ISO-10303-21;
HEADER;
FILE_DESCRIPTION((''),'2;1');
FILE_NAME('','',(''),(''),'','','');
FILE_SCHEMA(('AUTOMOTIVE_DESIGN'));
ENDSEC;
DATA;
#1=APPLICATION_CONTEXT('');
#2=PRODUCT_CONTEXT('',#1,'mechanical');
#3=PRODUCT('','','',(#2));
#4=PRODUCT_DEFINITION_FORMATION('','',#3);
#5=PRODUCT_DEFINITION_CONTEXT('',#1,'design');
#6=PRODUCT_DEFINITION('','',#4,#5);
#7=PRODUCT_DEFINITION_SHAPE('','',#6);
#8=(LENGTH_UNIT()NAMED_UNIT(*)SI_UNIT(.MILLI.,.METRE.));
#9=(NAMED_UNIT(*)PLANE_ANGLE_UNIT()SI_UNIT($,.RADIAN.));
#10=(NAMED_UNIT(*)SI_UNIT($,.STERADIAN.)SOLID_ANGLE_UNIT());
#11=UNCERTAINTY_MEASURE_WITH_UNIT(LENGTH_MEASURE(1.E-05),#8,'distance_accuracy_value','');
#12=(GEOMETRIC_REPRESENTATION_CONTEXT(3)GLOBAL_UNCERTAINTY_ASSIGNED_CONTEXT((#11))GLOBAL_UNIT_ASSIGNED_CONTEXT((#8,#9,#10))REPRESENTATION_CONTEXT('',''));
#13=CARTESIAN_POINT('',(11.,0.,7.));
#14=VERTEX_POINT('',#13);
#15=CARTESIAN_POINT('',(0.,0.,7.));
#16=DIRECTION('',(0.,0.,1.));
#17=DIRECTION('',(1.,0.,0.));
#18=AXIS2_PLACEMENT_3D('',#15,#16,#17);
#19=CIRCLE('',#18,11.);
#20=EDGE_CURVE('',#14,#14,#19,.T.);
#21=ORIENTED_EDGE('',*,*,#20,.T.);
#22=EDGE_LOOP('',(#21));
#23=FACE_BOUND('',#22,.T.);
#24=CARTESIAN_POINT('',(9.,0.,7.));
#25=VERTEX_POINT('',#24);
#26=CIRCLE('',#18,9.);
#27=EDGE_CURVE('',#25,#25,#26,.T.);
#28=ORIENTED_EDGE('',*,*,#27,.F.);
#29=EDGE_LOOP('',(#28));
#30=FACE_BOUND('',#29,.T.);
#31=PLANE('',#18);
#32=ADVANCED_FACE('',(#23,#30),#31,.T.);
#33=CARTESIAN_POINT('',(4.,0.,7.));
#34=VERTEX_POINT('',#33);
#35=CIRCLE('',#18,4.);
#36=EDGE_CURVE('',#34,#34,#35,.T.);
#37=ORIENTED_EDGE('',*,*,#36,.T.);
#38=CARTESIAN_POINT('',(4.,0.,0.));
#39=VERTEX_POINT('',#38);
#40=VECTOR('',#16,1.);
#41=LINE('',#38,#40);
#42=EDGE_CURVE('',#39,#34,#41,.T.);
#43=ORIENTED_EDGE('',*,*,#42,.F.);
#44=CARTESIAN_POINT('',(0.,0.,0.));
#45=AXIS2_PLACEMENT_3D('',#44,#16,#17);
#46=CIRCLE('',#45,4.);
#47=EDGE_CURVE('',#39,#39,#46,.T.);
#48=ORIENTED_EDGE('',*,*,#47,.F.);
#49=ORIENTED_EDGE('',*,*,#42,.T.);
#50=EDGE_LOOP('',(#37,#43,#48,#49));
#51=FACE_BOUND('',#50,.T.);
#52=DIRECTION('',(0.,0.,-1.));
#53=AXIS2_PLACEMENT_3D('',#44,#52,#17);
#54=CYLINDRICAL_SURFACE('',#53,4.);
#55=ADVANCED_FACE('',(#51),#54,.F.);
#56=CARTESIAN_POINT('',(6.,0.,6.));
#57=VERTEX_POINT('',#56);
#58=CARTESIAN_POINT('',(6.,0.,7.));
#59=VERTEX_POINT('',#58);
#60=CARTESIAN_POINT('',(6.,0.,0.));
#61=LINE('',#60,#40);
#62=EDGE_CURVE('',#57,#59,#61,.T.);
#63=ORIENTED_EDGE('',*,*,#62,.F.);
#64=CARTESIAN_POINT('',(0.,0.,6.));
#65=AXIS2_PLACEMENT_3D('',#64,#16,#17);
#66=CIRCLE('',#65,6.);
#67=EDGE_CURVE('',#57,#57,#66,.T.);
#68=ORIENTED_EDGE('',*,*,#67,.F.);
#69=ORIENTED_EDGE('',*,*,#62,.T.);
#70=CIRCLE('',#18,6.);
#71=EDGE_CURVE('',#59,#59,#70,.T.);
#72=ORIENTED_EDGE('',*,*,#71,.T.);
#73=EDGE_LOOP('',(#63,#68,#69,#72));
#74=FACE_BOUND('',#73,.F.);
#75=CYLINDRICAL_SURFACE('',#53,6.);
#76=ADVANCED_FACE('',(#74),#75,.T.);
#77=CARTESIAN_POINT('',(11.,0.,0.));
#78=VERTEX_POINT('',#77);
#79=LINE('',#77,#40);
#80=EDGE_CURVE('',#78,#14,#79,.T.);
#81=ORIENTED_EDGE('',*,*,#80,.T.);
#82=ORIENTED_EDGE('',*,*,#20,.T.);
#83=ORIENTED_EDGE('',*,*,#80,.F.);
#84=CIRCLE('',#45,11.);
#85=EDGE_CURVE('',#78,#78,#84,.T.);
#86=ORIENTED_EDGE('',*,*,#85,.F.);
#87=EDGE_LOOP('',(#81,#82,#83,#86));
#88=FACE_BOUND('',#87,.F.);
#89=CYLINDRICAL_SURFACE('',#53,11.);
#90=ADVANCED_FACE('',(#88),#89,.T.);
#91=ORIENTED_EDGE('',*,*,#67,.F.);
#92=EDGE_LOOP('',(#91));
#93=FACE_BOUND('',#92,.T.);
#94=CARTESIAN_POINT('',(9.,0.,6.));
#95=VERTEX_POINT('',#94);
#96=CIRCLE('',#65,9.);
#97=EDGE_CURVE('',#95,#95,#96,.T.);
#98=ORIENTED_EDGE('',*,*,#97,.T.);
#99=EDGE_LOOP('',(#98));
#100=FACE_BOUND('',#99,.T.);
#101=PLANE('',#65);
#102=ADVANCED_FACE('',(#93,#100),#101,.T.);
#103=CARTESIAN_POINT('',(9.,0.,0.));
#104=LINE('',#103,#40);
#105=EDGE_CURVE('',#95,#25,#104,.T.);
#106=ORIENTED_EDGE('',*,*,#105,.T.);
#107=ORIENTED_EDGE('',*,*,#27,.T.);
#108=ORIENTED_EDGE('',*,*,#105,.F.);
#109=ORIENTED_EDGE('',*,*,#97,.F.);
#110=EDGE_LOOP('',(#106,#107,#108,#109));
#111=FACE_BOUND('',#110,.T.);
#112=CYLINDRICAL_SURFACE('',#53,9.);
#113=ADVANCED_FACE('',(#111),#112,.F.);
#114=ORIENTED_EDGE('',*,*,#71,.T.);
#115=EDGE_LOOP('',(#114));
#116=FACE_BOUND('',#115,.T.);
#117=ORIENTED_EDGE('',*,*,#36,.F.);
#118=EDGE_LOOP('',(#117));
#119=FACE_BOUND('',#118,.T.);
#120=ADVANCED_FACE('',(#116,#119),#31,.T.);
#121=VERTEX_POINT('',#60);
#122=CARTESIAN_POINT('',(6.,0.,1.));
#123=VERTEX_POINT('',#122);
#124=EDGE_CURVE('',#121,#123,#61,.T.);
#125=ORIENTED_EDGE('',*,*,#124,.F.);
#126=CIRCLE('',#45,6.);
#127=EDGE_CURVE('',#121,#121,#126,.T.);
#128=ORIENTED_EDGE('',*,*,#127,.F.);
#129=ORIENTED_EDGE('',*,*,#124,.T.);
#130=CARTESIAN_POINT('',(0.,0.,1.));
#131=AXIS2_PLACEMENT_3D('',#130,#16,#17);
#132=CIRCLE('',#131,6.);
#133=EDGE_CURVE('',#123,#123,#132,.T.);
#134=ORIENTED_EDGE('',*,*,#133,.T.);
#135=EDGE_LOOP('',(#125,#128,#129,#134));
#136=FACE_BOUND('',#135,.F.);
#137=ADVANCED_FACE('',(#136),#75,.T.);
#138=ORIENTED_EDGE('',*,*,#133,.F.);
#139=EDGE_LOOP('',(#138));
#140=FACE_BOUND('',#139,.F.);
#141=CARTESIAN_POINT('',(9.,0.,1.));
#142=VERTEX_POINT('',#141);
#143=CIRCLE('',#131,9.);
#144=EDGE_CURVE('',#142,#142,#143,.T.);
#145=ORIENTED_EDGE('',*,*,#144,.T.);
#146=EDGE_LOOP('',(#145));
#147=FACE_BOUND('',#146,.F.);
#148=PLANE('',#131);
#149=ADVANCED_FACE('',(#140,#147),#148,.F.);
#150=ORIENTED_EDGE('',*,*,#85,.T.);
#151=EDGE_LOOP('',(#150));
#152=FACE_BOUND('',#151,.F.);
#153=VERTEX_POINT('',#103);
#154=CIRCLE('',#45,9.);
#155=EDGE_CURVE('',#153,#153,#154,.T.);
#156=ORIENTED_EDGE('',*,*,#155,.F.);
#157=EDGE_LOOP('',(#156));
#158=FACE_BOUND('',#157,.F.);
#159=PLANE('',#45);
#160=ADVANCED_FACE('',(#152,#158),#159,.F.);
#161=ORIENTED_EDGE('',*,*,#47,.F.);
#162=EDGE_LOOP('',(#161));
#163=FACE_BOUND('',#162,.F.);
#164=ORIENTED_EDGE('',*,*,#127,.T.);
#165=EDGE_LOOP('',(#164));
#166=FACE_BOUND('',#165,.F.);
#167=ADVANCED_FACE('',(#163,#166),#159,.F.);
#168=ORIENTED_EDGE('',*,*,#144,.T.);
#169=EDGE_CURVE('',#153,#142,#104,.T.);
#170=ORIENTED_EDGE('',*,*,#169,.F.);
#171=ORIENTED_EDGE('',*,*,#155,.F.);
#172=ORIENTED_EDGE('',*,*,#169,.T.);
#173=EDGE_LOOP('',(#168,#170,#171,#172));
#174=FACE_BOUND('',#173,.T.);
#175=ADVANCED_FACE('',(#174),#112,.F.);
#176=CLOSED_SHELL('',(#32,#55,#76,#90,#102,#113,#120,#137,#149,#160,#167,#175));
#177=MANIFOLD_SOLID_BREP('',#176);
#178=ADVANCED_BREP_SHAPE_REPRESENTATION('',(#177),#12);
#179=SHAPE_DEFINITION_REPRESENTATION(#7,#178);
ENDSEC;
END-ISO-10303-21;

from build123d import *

# Parameters (mm, degrees)
F0_R     = 11
F0_R_2   = 9
F1_DEPTH = 7
F0_R_3   = 6
F0_R_4   = 4
F2_START = 1
F2_DEPTH = 5


with BuildPart() as f1:
    # F0 (on Top) → F1 (new body)
    with BuildSketch(Plane.XY):
        Circle(F0_R)
        Circle(F0_R_2, mode=Mode.SUBTRACT)
    extrude(amount=F1_DEPTH)



with BuildPart() as f1b:
    # F0 (on Top) → F1, piece 2 (new body)
    with BuildSketch(Plane.XY):
        Circle(F0_R_3)
        Circle(F0_R_4, mode=Mode.SUBTRACT)
    extrude(amount=F1_DEPTH)


with BuildPart() as f1_1:
    add(f1.part)

    add(f1b.part)  # F2 merges F1b
    # F0 (on Top) → F2 (join)
    with BuildSketch(Plane.XY.offset(F2_START)):
        Circle(F0_R_2)
        Circle(F0_R_3, mode=Mode.SUBTRACT)
    extrude(amount=F2_DEPTH)


solid = f1_1.part
